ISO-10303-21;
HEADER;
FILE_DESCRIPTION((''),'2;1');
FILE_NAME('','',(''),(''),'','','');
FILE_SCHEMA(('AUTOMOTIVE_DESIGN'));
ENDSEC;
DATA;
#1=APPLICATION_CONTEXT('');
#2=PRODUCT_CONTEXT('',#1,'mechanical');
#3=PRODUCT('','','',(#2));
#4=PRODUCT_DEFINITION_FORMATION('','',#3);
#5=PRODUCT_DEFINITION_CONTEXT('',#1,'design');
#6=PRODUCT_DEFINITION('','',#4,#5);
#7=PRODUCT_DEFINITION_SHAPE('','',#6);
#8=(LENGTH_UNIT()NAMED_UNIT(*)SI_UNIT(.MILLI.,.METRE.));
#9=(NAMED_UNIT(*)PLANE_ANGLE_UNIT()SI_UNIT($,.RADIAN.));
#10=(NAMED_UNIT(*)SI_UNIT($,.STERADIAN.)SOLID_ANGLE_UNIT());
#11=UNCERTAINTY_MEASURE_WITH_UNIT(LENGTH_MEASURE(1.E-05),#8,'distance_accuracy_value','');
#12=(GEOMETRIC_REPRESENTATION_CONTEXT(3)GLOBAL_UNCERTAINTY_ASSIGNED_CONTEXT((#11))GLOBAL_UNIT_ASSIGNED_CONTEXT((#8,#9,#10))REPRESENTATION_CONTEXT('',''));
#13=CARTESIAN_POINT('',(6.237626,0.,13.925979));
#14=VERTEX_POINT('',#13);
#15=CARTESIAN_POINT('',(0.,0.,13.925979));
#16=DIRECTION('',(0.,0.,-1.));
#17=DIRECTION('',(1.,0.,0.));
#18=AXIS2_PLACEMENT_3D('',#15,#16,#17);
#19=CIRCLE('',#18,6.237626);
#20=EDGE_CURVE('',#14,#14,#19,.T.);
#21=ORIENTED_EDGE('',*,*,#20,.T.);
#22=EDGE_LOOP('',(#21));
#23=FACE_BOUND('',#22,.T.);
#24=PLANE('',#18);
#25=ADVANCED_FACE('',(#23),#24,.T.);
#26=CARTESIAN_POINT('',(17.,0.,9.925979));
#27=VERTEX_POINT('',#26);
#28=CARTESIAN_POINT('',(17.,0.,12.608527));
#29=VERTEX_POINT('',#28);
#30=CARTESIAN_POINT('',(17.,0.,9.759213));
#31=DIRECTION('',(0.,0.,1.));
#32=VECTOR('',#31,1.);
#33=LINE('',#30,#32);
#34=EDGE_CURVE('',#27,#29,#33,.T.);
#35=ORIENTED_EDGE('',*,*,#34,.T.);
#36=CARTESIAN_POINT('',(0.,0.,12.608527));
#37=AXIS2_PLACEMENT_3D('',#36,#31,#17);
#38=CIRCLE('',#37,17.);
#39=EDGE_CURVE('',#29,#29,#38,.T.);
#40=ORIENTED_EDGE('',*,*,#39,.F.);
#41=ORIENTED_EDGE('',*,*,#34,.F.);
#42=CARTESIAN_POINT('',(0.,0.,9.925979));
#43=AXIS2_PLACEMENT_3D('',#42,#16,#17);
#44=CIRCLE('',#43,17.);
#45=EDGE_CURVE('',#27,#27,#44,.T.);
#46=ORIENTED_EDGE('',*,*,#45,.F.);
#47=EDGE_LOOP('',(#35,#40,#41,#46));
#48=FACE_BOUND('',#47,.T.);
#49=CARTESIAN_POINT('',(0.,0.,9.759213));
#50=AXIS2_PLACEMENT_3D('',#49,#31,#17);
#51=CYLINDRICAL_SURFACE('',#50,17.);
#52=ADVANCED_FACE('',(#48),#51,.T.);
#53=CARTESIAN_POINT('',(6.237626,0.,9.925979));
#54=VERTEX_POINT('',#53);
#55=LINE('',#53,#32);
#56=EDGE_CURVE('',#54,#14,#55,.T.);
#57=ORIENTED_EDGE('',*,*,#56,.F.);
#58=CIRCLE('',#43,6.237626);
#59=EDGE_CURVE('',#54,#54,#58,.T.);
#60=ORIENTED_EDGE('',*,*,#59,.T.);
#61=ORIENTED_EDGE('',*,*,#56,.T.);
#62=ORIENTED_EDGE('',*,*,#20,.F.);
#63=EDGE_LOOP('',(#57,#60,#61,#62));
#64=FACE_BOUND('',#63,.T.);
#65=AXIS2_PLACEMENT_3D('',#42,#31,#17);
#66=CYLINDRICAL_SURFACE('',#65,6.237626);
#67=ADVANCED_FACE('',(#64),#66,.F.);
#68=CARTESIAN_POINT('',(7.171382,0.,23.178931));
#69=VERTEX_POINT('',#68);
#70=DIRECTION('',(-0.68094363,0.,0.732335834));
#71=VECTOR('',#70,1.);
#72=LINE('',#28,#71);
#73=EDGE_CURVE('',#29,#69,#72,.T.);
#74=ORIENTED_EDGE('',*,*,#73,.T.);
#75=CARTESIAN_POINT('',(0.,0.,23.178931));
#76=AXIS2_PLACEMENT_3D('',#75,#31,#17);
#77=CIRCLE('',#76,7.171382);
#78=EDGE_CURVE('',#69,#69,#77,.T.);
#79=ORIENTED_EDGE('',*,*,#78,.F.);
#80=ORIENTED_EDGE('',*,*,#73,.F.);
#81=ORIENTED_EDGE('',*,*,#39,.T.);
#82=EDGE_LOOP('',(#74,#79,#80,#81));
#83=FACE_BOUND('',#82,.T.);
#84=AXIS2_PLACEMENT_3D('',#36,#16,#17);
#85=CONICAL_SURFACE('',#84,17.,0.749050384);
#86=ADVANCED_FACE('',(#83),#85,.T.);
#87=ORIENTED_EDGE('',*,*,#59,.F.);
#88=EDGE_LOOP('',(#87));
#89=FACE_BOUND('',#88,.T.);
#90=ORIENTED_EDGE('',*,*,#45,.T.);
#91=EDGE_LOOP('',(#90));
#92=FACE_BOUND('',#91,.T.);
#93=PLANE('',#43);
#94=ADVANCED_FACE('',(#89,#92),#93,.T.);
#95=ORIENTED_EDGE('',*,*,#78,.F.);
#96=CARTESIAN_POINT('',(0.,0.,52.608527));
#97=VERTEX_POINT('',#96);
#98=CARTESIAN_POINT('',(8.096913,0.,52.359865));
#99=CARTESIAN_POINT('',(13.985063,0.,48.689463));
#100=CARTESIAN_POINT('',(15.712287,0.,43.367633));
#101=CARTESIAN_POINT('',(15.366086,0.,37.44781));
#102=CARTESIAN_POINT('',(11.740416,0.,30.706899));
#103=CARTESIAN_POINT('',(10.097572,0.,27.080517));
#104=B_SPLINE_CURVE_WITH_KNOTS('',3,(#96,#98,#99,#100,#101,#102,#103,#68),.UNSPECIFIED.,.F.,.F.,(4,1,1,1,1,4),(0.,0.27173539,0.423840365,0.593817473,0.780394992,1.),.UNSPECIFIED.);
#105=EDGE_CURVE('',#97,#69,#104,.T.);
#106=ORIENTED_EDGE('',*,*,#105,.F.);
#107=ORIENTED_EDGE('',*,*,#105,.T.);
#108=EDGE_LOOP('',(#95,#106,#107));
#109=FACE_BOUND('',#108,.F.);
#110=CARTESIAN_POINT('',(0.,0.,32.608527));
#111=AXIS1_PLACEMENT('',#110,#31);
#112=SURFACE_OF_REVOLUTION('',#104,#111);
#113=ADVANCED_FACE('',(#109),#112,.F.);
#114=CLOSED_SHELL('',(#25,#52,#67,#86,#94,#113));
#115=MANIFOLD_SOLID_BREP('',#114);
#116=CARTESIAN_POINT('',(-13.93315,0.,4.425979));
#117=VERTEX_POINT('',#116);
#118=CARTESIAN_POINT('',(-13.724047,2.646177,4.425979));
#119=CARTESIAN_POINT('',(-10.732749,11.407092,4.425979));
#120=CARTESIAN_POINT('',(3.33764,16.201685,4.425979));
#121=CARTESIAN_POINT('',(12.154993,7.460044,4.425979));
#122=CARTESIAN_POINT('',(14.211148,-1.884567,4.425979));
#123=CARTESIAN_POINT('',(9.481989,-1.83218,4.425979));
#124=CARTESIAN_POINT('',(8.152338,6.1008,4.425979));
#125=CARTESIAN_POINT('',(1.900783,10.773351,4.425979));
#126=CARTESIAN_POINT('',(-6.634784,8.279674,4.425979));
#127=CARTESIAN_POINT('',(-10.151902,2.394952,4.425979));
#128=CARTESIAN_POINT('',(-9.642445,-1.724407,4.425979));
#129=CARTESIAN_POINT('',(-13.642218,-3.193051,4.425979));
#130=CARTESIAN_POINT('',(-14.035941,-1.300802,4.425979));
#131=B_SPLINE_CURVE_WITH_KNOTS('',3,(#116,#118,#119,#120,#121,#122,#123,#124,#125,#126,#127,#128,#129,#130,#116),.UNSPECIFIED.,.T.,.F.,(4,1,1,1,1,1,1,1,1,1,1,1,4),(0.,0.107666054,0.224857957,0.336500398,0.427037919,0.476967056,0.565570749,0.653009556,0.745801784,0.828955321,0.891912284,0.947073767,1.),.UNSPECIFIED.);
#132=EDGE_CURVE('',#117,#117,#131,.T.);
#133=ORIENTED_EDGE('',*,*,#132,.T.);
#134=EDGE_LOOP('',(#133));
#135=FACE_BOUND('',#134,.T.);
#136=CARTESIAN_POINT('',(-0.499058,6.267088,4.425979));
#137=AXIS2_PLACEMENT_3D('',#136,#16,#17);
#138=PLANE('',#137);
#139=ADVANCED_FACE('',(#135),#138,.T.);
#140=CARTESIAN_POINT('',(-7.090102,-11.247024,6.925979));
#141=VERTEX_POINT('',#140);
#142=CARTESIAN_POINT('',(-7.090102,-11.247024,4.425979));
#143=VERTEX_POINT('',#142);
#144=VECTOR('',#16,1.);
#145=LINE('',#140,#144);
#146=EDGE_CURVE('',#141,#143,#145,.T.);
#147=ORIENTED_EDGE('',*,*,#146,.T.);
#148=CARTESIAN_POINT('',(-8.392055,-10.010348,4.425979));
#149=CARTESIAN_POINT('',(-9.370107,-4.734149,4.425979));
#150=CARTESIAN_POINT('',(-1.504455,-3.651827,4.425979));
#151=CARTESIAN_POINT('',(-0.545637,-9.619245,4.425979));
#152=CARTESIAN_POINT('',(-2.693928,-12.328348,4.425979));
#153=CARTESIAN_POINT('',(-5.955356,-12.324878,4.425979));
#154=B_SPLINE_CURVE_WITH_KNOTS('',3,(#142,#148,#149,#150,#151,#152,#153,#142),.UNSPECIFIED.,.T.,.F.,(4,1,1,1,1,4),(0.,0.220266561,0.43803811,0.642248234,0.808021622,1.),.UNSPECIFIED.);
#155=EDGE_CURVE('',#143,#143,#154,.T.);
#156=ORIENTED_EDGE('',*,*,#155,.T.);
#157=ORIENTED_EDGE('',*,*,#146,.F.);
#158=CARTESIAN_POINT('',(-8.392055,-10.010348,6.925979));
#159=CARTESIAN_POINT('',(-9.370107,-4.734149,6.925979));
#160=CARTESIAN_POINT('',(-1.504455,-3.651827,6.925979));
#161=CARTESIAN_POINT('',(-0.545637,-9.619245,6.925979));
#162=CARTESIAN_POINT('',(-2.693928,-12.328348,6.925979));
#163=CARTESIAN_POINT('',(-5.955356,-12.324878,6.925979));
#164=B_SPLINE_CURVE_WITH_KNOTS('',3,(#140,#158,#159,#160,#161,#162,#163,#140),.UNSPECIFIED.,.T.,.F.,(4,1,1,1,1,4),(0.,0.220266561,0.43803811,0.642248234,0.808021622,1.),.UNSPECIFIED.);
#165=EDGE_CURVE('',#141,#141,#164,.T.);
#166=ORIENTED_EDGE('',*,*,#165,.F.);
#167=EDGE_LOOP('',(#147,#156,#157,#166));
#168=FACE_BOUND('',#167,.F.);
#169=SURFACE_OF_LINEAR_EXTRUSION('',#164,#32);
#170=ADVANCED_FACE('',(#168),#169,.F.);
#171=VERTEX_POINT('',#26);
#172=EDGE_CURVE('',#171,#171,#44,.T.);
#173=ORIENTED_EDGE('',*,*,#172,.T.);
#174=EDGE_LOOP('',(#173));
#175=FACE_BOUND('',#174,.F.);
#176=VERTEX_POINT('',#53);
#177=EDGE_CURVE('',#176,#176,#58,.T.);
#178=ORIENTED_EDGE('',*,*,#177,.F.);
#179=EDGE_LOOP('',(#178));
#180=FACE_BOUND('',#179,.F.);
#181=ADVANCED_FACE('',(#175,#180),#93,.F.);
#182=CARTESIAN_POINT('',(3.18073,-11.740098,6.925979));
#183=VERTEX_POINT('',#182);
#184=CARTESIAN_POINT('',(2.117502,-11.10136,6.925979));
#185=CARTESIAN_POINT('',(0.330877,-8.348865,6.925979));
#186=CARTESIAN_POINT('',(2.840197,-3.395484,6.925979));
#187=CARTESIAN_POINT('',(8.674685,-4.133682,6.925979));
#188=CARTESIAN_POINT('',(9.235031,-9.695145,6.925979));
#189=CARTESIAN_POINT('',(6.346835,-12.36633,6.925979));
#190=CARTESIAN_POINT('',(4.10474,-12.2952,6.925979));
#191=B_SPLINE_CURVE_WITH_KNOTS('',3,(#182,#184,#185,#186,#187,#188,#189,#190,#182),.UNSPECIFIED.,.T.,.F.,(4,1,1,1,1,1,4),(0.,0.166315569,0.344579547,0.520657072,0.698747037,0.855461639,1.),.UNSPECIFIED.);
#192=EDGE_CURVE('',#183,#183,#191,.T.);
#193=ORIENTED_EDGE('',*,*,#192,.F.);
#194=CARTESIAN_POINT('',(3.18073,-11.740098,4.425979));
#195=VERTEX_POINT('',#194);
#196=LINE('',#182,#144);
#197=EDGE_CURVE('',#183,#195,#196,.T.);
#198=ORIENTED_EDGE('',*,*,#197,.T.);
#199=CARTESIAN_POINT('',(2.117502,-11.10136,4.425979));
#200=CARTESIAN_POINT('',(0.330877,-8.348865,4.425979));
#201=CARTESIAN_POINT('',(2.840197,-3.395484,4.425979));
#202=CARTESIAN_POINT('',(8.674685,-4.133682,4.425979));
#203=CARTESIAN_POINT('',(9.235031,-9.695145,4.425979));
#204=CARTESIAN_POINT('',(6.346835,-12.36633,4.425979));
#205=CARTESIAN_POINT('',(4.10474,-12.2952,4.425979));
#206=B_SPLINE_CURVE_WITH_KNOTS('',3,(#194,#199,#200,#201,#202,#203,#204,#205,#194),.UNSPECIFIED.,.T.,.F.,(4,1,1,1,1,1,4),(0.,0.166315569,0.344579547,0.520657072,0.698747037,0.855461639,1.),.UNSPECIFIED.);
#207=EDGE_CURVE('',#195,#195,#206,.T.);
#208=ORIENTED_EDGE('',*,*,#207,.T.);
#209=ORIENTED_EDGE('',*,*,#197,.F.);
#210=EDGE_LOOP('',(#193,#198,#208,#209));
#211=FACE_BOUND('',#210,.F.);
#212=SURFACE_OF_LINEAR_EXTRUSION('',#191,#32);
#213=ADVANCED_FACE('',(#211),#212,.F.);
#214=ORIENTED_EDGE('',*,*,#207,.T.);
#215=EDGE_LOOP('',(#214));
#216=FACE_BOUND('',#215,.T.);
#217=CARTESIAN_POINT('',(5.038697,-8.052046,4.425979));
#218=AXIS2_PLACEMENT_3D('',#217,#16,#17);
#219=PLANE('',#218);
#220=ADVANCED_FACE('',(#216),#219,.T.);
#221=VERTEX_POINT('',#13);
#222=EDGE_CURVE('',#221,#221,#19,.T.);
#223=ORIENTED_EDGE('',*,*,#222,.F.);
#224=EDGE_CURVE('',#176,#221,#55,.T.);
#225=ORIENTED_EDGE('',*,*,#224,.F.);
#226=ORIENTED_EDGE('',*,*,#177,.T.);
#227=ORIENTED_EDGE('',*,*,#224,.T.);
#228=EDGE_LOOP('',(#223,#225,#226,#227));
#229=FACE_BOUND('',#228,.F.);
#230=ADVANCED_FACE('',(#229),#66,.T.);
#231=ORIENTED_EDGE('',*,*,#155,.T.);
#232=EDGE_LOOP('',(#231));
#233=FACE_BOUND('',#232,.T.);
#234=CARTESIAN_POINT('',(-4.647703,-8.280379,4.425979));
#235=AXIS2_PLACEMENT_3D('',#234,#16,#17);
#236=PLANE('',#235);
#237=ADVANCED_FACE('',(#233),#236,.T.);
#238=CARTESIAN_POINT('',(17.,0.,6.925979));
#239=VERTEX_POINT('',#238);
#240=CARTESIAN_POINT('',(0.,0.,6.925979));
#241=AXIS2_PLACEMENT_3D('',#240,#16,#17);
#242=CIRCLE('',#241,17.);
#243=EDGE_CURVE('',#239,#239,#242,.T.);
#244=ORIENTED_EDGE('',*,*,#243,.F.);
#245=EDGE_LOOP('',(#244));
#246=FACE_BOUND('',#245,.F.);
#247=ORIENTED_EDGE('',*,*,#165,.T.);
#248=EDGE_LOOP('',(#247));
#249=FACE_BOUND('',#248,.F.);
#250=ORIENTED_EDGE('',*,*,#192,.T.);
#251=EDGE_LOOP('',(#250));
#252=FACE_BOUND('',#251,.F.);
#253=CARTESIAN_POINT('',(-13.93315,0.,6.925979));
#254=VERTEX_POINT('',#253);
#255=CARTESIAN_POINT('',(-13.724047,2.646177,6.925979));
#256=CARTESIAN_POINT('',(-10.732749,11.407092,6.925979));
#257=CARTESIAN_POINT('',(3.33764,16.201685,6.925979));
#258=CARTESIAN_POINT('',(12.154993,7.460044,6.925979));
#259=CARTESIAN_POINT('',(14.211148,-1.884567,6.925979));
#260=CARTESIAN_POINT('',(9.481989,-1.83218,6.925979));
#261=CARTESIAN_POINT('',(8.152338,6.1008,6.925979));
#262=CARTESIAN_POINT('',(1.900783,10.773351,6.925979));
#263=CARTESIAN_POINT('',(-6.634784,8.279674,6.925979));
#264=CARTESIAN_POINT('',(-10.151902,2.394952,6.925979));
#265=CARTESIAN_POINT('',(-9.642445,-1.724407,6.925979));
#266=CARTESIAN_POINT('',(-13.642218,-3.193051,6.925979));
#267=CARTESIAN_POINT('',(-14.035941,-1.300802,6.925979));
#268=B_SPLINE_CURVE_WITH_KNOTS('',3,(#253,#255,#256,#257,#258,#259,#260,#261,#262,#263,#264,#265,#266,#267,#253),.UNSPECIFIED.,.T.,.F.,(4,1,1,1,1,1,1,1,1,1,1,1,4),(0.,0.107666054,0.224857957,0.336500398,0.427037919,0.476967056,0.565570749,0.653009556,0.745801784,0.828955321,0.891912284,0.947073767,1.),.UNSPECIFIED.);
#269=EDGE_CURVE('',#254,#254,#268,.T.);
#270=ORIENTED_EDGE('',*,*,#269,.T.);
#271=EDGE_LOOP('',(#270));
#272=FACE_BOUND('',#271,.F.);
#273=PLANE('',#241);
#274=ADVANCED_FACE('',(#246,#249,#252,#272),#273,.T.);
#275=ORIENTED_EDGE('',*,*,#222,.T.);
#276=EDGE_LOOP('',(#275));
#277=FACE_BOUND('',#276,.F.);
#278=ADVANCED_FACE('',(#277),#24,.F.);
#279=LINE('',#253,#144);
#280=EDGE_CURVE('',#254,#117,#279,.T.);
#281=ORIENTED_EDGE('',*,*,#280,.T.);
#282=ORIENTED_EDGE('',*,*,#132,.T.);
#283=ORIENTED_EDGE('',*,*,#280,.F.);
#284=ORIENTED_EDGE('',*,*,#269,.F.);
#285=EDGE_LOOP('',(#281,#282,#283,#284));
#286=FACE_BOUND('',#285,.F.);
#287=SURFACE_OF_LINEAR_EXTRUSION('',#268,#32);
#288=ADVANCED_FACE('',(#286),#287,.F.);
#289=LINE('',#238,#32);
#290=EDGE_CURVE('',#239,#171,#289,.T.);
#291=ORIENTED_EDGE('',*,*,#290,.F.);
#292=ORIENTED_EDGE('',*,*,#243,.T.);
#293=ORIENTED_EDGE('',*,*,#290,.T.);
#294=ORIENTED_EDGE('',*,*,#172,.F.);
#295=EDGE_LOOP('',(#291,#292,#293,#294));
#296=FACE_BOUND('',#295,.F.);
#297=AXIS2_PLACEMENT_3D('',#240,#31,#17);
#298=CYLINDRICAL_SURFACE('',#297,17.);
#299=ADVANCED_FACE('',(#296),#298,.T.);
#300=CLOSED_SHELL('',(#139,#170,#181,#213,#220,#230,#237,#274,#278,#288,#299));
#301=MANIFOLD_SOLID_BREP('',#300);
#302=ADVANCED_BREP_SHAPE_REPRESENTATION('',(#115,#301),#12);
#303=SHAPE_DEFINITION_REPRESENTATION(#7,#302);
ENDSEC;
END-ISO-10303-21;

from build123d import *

# Parameters (mm, degrees)
F0_W     = 5.5296500213
F0_H     = 3.9341012016
F5_DEPTH = 2.5


with BuildPart() as f1:
    # F0 (on Front) → F1 (revolve)
    with BuildSketch(Plane.XZ):
        with BuildLine():
            add(Edge.make_bspline(
                [(0, 52.6085272059), (8.0969133708, 52.3598653981), (13.9850632461, 48.6894627646), (15.7122870822, 43.3676331137), (15.3660860131, 37.4478099484), (11.7404159899, 30.7068991912), (10.0975721345, 27.0805168881), (7.171381738, 23.1789313257)],
                knots=[0, 0, 0, 0, 0.2717353896, 0.4238403652, 0.5938174734, 0.7803949924, 1, 1, 1, 1], degree=3))
            Line((0, 52.6085272059), (0, 16.5426284075))
            Line((0, 16.5426284075), (5.5296500213, 16.5426284075))
            Line((5.5296500213, 16.5426284075), (5.5296500213, 12.6085272059))
            Line((5.5296500213, 12.6085272059), (17, 12.6085272059))
            Line((17, 12.6085272059), (7.171381738, 23.1789313257))
        make_face()
        with Locations((2.7648250107, 14.5755778067)):
            Rectangle(F0_W, F0_H)
        Polygon((17, 9.7592128441), (17, 12.6085272059), (5.5296500213, 12.6085272059), (0, 12.6085272059), (0, 9.7592128441), align=None)
    revolve(axis=Axis((0, 0, 32.6085272059), (0, 0, 1)))


with BuildPart() as f3:
    # F2 (on Front) → F3 (revolve)
    with BuildSketch(Plane.XZ):
        Polygon((0, 13.9259791635), (0, 6.9259791635), (17, 6.9259791635), (17, 9.9259791635), (6.2376260757, 9.9259791635), (6.2376260757, 13.9259791635), align=None)
    revolve(axis=Axis((0, 0, 10.4259791635), (0, 0, -1)))

    # F4 (on face) → F5 (join)
    with BuildSketch(Plane(origin=(0, 0, 6.9259791635), x_dir=(1, 0, 0), z_dir=(0, 0, -1))):
        with BuildLine():
            add(Edge.make_bspline(
                [(-13.9331500977, 0), (-13.7240467591, -2.646177398), (-10.7327491905, -11.4070922202), (3.3376403739, -16.2016848075), (12.1549927601, -7.4600439651), (14.2111478844, 1.8845673511), (9.4819888205, 1.8321800188), (8.1523377343, -6.100800358), (1.9007832979, -10.773350693), (-6.6347842705, -8.2796735174), (-10.1519015361, -2.3949516691), (-9.642445129, 1.724407265), (-13.6422180219, 3.1930512711), (-14.0359406393, 1.3008018408), (-13.9331500977, 0)],
                knots=[0, 0, 0, 0, 0.1076660541, 0.2248579565, 0.3365003978, 0.4270379187, 0.4769670563, 0.5655707495, 0.653009556, 0.7458017836, 0.8289553214, 0.8919122838, 0.947073767, 1, 1, 1, 1], degree=3))
        make_face()
        with BuildLine():
            add(Edge.make_bspline(
                [(-7.0901024831, 11.2470243104), (-8.3920551092, 10.0103482171), (-9.3701068116, 4.7341492378), (-1.5044548851, 3.6518268396), (-0.5456373546, 9.6192452613), (-2.6939283574, 12.3283483648), (-5.9553557799, 12.3248777526), (-7.0901024831, 11.2470243104)],
                knots=[0, 0, 0, 0, 0.2202665612, 0.4380381104, 0.642248234, 0.8080216215, 1, 1, 1, 1], degree=3))
        make_face()
        with BuildLine():
            add(Edge.make_bspline(
                [(3.1807299238, 11.7400977761), (2.117501865, 11.1013602734), (0.330876565, 8.3488648999), (2.8401974456, 3.395484492), (8.6746849496, 4.1336821149), (9.2350308766, 9.6951448203), (6.3468354068, 12.366329581), (4.1047398796, 12.2951995782), (3.1807299238, 11.7400977761)],
                knots=[0, 0, 0, 0, 0.1663155685, 0.3445795468, 0.5206570716, 0.6987470374, 0.8554616389, 1, 1, 1, 1], degree=3))
        make_face()
    extrude(amount=F5_DEPTH)


with BuildPart() as f1_1:
    add(f1.part)

    # F6: cut F3
    add(f3.part, mode=Mode.SUBTRACT)


solid = Compound([f3.part, f1_1.part])
